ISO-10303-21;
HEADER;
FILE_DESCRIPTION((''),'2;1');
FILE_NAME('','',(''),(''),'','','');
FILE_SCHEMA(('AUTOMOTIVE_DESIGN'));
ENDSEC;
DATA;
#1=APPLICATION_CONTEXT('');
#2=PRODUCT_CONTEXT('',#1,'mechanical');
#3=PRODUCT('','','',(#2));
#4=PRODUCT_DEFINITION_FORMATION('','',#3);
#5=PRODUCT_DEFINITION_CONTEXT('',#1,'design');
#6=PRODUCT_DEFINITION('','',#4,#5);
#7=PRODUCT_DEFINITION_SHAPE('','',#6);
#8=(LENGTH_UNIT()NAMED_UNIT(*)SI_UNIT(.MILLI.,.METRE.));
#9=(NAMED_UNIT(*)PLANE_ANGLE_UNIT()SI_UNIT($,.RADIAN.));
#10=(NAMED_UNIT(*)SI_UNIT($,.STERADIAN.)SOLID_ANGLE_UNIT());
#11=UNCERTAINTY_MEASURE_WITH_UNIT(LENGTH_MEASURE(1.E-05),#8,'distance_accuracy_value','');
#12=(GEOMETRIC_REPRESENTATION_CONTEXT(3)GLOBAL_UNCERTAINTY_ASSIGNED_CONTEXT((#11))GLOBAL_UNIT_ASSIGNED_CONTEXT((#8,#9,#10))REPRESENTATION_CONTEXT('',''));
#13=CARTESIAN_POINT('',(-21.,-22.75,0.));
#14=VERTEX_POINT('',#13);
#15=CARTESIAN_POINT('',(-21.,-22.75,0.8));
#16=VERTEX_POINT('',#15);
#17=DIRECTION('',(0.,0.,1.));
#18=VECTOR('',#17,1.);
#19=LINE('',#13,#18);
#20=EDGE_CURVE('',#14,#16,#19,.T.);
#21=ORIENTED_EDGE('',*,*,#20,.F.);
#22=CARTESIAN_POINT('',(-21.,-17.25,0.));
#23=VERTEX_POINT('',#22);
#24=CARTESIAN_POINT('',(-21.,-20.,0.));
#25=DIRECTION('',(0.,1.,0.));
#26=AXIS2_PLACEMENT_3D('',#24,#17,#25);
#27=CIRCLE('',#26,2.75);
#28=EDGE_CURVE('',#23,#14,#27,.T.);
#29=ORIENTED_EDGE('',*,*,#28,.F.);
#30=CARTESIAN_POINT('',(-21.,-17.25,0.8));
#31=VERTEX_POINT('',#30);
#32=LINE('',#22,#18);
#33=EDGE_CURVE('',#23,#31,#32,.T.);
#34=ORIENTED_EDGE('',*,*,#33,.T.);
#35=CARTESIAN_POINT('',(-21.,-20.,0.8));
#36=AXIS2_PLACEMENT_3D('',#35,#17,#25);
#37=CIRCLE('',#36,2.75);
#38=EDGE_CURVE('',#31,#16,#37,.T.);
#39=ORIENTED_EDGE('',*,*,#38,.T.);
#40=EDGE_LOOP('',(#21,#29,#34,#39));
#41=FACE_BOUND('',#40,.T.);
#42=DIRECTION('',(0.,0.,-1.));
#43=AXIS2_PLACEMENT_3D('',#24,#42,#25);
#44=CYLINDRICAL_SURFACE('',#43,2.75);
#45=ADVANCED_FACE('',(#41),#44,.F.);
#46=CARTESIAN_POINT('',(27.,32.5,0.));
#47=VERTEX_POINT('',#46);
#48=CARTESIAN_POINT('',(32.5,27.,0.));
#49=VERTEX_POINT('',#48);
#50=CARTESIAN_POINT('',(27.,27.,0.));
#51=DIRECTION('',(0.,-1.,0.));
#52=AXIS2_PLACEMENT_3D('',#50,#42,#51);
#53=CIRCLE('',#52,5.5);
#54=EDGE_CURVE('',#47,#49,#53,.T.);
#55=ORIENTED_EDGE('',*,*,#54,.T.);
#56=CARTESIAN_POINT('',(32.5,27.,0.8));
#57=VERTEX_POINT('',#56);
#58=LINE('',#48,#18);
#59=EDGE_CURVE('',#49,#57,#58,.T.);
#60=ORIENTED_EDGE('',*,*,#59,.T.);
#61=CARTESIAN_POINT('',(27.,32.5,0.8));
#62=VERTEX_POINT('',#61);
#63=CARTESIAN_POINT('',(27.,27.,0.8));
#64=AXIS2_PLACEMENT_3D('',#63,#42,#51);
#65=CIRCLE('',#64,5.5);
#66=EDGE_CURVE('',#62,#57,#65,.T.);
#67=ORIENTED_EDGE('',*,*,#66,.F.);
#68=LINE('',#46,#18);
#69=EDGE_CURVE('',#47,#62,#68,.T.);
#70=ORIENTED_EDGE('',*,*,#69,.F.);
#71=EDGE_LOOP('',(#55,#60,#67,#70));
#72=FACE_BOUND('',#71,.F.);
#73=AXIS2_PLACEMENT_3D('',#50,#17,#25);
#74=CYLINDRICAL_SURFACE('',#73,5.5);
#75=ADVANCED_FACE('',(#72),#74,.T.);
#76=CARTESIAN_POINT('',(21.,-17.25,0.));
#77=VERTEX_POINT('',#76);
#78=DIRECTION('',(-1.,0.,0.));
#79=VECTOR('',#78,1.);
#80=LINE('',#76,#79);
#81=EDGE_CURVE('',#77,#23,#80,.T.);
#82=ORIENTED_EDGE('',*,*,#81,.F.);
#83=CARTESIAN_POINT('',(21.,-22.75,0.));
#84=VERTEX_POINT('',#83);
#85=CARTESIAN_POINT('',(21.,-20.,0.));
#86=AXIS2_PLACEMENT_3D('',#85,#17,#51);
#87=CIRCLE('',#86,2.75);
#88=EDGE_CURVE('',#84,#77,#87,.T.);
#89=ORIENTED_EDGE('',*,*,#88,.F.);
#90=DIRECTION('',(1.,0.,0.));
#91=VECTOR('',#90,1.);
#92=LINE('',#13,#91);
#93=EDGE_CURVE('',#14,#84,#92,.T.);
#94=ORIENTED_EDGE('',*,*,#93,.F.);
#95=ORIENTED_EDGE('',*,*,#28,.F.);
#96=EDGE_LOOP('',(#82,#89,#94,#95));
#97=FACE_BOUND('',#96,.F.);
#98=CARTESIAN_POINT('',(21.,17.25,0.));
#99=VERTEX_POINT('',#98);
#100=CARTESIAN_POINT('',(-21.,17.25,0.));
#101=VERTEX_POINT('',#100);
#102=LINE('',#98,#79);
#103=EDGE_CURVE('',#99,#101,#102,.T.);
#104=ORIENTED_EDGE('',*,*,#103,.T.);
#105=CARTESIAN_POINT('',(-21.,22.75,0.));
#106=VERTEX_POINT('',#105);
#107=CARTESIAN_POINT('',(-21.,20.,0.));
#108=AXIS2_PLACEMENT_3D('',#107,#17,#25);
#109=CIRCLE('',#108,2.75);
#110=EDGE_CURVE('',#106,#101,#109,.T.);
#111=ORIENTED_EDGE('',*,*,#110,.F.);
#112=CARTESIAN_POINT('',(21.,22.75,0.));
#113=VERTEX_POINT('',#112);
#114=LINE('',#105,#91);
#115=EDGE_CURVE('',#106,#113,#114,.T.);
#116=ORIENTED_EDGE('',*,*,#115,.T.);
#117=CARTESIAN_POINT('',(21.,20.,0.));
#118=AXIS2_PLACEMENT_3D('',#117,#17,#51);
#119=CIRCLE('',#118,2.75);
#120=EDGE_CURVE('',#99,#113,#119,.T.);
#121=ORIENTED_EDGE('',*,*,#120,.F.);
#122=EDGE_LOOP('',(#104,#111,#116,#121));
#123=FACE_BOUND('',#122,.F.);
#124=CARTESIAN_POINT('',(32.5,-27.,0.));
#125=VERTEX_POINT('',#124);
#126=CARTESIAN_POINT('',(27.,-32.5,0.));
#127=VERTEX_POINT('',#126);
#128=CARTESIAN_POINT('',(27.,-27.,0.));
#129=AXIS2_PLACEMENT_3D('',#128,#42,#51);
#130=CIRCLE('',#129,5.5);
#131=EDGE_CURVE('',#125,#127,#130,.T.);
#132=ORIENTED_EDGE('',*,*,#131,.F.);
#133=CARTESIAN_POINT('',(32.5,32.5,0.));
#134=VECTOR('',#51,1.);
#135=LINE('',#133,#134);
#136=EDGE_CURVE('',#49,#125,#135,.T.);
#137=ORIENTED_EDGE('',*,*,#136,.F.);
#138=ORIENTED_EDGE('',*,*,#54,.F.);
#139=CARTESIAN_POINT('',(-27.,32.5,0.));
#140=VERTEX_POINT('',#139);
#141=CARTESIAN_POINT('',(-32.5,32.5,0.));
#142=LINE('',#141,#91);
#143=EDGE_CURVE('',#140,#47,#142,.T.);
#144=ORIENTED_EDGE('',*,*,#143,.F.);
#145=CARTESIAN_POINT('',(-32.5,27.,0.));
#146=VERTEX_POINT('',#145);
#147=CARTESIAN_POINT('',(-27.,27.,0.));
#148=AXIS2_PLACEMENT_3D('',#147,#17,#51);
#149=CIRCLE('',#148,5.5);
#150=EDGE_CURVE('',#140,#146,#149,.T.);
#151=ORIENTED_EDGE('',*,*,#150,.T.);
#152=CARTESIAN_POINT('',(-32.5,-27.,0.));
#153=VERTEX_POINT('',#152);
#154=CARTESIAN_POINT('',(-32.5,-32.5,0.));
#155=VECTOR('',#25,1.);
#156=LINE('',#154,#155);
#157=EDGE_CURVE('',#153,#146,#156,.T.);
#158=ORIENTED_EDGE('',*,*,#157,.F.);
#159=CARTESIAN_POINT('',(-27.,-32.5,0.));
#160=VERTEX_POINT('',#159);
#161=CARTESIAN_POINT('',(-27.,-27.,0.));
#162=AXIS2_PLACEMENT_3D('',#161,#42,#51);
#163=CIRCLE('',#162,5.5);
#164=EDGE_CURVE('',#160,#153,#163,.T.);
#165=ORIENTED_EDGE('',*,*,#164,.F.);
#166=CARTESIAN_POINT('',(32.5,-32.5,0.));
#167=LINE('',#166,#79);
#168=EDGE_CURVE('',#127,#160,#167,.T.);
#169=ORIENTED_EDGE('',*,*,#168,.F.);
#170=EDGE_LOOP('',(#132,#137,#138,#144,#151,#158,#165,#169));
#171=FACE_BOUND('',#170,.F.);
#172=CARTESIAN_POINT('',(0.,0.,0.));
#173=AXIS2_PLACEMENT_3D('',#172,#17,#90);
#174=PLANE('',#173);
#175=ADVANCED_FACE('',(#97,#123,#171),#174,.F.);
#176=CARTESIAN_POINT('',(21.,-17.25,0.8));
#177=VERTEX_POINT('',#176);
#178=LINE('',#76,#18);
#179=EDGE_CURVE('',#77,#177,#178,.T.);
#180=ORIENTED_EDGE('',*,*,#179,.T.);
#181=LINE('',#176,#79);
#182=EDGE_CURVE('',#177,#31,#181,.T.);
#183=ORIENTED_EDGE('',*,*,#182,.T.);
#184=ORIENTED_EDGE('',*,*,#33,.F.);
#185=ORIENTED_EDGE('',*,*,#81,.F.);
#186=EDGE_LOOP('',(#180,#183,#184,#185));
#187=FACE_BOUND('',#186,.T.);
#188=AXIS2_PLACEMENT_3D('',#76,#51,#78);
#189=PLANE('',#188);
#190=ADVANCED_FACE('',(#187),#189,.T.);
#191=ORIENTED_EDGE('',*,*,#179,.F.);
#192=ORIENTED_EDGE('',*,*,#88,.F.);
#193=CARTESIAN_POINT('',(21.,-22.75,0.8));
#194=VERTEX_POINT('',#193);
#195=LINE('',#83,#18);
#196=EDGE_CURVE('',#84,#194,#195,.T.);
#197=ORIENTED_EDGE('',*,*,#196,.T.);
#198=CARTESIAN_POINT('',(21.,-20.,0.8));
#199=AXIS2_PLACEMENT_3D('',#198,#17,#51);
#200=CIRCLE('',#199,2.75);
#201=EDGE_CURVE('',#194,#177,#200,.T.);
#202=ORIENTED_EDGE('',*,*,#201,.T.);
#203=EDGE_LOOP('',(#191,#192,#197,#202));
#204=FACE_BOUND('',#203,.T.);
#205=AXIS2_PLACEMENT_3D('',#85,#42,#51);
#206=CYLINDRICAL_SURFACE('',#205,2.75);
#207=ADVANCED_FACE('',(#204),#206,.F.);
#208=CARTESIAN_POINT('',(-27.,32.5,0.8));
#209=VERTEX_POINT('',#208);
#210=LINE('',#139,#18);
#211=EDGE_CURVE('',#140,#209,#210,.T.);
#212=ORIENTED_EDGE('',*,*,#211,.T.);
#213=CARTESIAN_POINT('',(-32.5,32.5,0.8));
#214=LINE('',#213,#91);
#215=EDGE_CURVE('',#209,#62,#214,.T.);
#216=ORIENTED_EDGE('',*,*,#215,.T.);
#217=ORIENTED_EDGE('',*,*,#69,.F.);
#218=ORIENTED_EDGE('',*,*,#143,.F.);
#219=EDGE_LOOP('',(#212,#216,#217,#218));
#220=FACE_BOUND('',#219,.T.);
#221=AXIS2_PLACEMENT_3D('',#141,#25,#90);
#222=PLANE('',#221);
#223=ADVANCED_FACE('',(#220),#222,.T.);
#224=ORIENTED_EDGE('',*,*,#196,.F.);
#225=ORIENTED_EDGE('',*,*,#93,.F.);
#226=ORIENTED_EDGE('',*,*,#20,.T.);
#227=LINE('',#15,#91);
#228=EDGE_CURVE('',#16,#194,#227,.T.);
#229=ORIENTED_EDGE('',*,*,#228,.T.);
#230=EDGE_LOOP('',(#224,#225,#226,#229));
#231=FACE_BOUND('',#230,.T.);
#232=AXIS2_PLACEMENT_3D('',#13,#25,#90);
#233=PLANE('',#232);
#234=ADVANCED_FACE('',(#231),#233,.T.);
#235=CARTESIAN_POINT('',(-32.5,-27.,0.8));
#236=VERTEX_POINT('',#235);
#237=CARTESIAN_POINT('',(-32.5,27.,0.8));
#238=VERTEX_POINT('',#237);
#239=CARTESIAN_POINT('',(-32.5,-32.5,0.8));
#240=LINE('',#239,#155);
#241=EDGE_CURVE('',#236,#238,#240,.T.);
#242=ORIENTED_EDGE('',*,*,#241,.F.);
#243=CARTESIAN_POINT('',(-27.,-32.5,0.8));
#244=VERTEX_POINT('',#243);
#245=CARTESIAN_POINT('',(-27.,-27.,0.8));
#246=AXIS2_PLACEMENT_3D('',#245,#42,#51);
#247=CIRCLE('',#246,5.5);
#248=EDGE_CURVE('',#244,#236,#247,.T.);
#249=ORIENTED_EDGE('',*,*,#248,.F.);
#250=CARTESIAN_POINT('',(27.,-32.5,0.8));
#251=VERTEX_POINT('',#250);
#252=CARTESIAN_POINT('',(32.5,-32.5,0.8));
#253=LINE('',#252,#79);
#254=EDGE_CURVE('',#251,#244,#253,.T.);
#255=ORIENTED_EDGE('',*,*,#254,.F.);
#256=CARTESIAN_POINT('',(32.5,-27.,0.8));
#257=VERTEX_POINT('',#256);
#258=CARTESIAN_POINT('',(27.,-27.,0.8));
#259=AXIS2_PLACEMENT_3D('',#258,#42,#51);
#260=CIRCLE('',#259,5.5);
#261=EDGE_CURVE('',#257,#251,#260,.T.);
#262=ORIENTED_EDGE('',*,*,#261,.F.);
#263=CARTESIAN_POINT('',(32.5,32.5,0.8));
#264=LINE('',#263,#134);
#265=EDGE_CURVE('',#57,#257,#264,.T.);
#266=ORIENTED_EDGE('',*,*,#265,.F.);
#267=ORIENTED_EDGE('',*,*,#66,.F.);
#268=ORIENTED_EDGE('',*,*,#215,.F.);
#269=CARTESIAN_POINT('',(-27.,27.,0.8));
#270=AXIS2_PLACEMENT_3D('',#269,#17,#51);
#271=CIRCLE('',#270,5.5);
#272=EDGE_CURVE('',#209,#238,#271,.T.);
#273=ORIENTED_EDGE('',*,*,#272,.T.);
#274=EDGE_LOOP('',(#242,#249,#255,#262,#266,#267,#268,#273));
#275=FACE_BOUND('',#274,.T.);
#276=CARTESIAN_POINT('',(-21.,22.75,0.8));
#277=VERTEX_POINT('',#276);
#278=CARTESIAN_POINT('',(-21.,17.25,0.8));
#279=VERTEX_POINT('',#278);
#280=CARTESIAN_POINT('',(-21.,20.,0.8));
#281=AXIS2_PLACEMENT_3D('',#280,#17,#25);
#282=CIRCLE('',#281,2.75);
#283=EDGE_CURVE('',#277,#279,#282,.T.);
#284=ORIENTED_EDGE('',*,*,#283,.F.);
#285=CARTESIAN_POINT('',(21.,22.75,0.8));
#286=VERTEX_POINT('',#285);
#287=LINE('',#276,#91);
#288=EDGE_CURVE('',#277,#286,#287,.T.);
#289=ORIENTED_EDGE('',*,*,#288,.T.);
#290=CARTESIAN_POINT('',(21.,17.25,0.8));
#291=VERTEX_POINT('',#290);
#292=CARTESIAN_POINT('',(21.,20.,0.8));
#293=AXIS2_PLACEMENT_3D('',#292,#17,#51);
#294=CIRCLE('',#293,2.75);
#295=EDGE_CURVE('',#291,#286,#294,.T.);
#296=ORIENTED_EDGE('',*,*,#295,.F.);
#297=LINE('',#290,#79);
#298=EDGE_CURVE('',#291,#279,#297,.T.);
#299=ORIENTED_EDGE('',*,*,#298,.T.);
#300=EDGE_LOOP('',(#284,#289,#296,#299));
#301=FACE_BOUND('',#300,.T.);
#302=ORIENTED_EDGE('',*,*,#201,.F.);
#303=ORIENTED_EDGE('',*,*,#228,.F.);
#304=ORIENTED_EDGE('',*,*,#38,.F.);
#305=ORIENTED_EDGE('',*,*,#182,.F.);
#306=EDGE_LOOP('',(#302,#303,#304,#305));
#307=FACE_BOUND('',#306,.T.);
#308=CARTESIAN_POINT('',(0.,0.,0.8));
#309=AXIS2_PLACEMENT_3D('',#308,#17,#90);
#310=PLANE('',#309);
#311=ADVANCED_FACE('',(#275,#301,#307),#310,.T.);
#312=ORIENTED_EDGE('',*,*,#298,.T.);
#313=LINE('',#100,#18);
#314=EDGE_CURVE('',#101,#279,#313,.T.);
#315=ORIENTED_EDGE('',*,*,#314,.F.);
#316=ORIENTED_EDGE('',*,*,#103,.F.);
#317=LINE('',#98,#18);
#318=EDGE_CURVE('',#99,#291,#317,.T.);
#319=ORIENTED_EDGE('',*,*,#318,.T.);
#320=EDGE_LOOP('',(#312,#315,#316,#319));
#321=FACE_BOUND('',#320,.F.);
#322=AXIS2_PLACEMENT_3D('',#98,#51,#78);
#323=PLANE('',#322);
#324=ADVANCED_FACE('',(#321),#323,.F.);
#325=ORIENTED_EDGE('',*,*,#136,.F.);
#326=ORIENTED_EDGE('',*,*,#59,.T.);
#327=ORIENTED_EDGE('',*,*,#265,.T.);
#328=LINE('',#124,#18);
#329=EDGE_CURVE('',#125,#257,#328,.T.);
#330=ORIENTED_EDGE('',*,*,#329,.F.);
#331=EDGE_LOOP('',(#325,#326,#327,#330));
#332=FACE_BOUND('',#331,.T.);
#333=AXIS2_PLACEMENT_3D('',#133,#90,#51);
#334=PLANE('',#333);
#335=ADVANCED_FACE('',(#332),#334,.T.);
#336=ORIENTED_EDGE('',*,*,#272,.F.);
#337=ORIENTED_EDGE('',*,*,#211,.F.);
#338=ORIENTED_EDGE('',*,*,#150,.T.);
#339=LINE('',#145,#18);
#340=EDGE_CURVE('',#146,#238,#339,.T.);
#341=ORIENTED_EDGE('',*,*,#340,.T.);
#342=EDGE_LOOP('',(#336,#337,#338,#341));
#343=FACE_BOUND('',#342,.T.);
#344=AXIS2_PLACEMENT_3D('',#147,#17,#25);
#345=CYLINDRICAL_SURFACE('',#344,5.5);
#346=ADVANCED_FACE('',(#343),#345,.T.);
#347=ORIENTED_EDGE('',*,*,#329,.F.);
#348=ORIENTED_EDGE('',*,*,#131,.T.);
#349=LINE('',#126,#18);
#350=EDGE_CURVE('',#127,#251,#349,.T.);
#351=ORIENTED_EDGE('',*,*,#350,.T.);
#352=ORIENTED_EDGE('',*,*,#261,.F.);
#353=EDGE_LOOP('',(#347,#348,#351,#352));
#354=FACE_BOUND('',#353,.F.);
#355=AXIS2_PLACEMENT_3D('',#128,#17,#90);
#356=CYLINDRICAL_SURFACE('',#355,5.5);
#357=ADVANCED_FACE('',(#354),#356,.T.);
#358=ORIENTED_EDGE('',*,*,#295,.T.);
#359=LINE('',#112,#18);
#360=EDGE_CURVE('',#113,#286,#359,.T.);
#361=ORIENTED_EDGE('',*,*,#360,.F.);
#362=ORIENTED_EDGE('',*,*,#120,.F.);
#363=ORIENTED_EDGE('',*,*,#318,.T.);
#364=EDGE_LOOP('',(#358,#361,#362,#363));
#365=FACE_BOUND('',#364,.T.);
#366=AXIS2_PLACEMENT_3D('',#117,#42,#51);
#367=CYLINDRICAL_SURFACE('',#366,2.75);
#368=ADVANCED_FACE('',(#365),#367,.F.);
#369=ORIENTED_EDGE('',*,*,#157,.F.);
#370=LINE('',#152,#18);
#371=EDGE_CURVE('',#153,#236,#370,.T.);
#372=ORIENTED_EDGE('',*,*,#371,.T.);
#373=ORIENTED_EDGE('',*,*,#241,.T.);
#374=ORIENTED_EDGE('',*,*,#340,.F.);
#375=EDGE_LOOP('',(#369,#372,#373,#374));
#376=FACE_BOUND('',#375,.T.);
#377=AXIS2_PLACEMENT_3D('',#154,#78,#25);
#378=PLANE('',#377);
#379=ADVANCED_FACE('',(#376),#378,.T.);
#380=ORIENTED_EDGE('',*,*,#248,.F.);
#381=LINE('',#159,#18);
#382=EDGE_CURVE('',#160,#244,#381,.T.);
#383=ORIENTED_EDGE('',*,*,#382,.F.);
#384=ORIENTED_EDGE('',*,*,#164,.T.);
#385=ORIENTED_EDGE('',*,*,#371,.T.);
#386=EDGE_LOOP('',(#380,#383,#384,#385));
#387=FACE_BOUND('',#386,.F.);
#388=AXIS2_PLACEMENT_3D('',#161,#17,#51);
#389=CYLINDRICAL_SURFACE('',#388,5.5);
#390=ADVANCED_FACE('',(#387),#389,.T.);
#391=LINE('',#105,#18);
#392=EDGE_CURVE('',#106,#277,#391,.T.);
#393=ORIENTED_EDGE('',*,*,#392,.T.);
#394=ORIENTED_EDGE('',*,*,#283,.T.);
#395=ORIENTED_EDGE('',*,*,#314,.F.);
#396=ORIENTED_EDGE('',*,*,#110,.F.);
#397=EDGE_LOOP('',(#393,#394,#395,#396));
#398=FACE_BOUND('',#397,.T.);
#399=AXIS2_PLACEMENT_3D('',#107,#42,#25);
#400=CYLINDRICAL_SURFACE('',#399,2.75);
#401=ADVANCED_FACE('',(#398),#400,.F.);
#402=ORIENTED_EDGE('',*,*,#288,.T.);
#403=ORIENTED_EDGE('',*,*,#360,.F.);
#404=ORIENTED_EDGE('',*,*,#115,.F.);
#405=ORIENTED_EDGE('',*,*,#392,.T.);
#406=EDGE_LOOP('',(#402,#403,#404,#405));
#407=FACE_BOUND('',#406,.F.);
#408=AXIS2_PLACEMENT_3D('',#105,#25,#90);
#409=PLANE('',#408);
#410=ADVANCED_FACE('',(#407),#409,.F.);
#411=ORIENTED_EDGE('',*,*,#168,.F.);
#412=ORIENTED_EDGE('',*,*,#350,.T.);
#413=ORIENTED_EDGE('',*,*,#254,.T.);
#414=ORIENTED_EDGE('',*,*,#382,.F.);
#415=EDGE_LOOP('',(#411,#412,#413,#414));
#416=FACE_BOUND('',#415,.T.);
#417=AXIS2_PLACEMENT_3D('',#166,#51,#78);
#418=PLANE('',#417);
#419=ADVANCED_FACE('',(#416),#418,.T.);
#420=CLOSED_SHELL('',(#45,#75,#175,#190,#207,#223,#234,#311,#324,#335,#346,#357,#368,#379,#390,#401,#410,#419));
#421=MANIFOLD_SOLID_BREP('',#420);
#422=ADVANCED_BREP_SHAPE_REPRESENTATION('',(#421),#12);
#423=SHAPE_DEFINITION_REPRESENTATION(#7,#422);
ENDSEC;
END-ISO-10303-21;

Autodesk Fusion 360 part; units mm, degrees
sketch "Sketch1" plane through (0, 0, 0) normal (0, 0, 1) x (1, 0, 0)
  line L0 (-32.5, 32.5) -> (32.5, 32.5)
  line L1 (32.5, 32.5) -> (32.5, -32.5)
  line L2 (32.5, -32.5) -> (-32.5, -32.5)
  line L3 (-32.5, -32.5) -> (-32.5, 32.5)
  line L4 (-32.5, 32.5) -> (32.5, -32.5) construction
  line L5 (32.5, 32.5) -> (-32.5, -32.5) construction
  line L6 (-32.5, 0) -> (-32.5, 20) construction
  line L7 (-32.5, 20) -> (32.5, 20) construction
  line L8 (-32.5, 0) -> (-32.5, -20) construction
  line L9 (-32.5, -20) -> (32.5, -20) construction
  line L10 (-21, -22.75) -> (21, -22.75)
  arc A0 (21, -22.75) -> (21, -17.25) centre (21, -20) ccw
  line L11 (21, -17.25) -> (-21, -17.25)
  arc A1 (-21, -17.25) -> (-21, -22.75) centre (-21, -20) ccw
  line L12 (-21, -20) -> (21, -20) construction
  line L13 (-32.5, 0) -> (32.5, 0) construction
  line L14 (21, 17.25) -> (-21, 17.25)
  arc A2 (-21, 22.75) -> (-21, 17.25) centre (-21, 20) ccw
  line L15 (-21, 22.75) -> (21, 22.75)
  arc A3 (21, 17.25) -> (21, 22.75) centre (21, 20) ccw
  point P0 (0, -20)
  dimension "d1" = 65
  dimension "d2" = 65
  dimension "d3" = 5.5
extrude "Extrude1" add sketch "Sketch1" along normal blind 0.8
fillet "Fillet1" radius 5.5 4 edges at (32.5, -32.5, 0.4) (32.5, 32.5, 0.4) (-32.5, 32.5, 0.4) (-32.5, -32.5, 0.4)
